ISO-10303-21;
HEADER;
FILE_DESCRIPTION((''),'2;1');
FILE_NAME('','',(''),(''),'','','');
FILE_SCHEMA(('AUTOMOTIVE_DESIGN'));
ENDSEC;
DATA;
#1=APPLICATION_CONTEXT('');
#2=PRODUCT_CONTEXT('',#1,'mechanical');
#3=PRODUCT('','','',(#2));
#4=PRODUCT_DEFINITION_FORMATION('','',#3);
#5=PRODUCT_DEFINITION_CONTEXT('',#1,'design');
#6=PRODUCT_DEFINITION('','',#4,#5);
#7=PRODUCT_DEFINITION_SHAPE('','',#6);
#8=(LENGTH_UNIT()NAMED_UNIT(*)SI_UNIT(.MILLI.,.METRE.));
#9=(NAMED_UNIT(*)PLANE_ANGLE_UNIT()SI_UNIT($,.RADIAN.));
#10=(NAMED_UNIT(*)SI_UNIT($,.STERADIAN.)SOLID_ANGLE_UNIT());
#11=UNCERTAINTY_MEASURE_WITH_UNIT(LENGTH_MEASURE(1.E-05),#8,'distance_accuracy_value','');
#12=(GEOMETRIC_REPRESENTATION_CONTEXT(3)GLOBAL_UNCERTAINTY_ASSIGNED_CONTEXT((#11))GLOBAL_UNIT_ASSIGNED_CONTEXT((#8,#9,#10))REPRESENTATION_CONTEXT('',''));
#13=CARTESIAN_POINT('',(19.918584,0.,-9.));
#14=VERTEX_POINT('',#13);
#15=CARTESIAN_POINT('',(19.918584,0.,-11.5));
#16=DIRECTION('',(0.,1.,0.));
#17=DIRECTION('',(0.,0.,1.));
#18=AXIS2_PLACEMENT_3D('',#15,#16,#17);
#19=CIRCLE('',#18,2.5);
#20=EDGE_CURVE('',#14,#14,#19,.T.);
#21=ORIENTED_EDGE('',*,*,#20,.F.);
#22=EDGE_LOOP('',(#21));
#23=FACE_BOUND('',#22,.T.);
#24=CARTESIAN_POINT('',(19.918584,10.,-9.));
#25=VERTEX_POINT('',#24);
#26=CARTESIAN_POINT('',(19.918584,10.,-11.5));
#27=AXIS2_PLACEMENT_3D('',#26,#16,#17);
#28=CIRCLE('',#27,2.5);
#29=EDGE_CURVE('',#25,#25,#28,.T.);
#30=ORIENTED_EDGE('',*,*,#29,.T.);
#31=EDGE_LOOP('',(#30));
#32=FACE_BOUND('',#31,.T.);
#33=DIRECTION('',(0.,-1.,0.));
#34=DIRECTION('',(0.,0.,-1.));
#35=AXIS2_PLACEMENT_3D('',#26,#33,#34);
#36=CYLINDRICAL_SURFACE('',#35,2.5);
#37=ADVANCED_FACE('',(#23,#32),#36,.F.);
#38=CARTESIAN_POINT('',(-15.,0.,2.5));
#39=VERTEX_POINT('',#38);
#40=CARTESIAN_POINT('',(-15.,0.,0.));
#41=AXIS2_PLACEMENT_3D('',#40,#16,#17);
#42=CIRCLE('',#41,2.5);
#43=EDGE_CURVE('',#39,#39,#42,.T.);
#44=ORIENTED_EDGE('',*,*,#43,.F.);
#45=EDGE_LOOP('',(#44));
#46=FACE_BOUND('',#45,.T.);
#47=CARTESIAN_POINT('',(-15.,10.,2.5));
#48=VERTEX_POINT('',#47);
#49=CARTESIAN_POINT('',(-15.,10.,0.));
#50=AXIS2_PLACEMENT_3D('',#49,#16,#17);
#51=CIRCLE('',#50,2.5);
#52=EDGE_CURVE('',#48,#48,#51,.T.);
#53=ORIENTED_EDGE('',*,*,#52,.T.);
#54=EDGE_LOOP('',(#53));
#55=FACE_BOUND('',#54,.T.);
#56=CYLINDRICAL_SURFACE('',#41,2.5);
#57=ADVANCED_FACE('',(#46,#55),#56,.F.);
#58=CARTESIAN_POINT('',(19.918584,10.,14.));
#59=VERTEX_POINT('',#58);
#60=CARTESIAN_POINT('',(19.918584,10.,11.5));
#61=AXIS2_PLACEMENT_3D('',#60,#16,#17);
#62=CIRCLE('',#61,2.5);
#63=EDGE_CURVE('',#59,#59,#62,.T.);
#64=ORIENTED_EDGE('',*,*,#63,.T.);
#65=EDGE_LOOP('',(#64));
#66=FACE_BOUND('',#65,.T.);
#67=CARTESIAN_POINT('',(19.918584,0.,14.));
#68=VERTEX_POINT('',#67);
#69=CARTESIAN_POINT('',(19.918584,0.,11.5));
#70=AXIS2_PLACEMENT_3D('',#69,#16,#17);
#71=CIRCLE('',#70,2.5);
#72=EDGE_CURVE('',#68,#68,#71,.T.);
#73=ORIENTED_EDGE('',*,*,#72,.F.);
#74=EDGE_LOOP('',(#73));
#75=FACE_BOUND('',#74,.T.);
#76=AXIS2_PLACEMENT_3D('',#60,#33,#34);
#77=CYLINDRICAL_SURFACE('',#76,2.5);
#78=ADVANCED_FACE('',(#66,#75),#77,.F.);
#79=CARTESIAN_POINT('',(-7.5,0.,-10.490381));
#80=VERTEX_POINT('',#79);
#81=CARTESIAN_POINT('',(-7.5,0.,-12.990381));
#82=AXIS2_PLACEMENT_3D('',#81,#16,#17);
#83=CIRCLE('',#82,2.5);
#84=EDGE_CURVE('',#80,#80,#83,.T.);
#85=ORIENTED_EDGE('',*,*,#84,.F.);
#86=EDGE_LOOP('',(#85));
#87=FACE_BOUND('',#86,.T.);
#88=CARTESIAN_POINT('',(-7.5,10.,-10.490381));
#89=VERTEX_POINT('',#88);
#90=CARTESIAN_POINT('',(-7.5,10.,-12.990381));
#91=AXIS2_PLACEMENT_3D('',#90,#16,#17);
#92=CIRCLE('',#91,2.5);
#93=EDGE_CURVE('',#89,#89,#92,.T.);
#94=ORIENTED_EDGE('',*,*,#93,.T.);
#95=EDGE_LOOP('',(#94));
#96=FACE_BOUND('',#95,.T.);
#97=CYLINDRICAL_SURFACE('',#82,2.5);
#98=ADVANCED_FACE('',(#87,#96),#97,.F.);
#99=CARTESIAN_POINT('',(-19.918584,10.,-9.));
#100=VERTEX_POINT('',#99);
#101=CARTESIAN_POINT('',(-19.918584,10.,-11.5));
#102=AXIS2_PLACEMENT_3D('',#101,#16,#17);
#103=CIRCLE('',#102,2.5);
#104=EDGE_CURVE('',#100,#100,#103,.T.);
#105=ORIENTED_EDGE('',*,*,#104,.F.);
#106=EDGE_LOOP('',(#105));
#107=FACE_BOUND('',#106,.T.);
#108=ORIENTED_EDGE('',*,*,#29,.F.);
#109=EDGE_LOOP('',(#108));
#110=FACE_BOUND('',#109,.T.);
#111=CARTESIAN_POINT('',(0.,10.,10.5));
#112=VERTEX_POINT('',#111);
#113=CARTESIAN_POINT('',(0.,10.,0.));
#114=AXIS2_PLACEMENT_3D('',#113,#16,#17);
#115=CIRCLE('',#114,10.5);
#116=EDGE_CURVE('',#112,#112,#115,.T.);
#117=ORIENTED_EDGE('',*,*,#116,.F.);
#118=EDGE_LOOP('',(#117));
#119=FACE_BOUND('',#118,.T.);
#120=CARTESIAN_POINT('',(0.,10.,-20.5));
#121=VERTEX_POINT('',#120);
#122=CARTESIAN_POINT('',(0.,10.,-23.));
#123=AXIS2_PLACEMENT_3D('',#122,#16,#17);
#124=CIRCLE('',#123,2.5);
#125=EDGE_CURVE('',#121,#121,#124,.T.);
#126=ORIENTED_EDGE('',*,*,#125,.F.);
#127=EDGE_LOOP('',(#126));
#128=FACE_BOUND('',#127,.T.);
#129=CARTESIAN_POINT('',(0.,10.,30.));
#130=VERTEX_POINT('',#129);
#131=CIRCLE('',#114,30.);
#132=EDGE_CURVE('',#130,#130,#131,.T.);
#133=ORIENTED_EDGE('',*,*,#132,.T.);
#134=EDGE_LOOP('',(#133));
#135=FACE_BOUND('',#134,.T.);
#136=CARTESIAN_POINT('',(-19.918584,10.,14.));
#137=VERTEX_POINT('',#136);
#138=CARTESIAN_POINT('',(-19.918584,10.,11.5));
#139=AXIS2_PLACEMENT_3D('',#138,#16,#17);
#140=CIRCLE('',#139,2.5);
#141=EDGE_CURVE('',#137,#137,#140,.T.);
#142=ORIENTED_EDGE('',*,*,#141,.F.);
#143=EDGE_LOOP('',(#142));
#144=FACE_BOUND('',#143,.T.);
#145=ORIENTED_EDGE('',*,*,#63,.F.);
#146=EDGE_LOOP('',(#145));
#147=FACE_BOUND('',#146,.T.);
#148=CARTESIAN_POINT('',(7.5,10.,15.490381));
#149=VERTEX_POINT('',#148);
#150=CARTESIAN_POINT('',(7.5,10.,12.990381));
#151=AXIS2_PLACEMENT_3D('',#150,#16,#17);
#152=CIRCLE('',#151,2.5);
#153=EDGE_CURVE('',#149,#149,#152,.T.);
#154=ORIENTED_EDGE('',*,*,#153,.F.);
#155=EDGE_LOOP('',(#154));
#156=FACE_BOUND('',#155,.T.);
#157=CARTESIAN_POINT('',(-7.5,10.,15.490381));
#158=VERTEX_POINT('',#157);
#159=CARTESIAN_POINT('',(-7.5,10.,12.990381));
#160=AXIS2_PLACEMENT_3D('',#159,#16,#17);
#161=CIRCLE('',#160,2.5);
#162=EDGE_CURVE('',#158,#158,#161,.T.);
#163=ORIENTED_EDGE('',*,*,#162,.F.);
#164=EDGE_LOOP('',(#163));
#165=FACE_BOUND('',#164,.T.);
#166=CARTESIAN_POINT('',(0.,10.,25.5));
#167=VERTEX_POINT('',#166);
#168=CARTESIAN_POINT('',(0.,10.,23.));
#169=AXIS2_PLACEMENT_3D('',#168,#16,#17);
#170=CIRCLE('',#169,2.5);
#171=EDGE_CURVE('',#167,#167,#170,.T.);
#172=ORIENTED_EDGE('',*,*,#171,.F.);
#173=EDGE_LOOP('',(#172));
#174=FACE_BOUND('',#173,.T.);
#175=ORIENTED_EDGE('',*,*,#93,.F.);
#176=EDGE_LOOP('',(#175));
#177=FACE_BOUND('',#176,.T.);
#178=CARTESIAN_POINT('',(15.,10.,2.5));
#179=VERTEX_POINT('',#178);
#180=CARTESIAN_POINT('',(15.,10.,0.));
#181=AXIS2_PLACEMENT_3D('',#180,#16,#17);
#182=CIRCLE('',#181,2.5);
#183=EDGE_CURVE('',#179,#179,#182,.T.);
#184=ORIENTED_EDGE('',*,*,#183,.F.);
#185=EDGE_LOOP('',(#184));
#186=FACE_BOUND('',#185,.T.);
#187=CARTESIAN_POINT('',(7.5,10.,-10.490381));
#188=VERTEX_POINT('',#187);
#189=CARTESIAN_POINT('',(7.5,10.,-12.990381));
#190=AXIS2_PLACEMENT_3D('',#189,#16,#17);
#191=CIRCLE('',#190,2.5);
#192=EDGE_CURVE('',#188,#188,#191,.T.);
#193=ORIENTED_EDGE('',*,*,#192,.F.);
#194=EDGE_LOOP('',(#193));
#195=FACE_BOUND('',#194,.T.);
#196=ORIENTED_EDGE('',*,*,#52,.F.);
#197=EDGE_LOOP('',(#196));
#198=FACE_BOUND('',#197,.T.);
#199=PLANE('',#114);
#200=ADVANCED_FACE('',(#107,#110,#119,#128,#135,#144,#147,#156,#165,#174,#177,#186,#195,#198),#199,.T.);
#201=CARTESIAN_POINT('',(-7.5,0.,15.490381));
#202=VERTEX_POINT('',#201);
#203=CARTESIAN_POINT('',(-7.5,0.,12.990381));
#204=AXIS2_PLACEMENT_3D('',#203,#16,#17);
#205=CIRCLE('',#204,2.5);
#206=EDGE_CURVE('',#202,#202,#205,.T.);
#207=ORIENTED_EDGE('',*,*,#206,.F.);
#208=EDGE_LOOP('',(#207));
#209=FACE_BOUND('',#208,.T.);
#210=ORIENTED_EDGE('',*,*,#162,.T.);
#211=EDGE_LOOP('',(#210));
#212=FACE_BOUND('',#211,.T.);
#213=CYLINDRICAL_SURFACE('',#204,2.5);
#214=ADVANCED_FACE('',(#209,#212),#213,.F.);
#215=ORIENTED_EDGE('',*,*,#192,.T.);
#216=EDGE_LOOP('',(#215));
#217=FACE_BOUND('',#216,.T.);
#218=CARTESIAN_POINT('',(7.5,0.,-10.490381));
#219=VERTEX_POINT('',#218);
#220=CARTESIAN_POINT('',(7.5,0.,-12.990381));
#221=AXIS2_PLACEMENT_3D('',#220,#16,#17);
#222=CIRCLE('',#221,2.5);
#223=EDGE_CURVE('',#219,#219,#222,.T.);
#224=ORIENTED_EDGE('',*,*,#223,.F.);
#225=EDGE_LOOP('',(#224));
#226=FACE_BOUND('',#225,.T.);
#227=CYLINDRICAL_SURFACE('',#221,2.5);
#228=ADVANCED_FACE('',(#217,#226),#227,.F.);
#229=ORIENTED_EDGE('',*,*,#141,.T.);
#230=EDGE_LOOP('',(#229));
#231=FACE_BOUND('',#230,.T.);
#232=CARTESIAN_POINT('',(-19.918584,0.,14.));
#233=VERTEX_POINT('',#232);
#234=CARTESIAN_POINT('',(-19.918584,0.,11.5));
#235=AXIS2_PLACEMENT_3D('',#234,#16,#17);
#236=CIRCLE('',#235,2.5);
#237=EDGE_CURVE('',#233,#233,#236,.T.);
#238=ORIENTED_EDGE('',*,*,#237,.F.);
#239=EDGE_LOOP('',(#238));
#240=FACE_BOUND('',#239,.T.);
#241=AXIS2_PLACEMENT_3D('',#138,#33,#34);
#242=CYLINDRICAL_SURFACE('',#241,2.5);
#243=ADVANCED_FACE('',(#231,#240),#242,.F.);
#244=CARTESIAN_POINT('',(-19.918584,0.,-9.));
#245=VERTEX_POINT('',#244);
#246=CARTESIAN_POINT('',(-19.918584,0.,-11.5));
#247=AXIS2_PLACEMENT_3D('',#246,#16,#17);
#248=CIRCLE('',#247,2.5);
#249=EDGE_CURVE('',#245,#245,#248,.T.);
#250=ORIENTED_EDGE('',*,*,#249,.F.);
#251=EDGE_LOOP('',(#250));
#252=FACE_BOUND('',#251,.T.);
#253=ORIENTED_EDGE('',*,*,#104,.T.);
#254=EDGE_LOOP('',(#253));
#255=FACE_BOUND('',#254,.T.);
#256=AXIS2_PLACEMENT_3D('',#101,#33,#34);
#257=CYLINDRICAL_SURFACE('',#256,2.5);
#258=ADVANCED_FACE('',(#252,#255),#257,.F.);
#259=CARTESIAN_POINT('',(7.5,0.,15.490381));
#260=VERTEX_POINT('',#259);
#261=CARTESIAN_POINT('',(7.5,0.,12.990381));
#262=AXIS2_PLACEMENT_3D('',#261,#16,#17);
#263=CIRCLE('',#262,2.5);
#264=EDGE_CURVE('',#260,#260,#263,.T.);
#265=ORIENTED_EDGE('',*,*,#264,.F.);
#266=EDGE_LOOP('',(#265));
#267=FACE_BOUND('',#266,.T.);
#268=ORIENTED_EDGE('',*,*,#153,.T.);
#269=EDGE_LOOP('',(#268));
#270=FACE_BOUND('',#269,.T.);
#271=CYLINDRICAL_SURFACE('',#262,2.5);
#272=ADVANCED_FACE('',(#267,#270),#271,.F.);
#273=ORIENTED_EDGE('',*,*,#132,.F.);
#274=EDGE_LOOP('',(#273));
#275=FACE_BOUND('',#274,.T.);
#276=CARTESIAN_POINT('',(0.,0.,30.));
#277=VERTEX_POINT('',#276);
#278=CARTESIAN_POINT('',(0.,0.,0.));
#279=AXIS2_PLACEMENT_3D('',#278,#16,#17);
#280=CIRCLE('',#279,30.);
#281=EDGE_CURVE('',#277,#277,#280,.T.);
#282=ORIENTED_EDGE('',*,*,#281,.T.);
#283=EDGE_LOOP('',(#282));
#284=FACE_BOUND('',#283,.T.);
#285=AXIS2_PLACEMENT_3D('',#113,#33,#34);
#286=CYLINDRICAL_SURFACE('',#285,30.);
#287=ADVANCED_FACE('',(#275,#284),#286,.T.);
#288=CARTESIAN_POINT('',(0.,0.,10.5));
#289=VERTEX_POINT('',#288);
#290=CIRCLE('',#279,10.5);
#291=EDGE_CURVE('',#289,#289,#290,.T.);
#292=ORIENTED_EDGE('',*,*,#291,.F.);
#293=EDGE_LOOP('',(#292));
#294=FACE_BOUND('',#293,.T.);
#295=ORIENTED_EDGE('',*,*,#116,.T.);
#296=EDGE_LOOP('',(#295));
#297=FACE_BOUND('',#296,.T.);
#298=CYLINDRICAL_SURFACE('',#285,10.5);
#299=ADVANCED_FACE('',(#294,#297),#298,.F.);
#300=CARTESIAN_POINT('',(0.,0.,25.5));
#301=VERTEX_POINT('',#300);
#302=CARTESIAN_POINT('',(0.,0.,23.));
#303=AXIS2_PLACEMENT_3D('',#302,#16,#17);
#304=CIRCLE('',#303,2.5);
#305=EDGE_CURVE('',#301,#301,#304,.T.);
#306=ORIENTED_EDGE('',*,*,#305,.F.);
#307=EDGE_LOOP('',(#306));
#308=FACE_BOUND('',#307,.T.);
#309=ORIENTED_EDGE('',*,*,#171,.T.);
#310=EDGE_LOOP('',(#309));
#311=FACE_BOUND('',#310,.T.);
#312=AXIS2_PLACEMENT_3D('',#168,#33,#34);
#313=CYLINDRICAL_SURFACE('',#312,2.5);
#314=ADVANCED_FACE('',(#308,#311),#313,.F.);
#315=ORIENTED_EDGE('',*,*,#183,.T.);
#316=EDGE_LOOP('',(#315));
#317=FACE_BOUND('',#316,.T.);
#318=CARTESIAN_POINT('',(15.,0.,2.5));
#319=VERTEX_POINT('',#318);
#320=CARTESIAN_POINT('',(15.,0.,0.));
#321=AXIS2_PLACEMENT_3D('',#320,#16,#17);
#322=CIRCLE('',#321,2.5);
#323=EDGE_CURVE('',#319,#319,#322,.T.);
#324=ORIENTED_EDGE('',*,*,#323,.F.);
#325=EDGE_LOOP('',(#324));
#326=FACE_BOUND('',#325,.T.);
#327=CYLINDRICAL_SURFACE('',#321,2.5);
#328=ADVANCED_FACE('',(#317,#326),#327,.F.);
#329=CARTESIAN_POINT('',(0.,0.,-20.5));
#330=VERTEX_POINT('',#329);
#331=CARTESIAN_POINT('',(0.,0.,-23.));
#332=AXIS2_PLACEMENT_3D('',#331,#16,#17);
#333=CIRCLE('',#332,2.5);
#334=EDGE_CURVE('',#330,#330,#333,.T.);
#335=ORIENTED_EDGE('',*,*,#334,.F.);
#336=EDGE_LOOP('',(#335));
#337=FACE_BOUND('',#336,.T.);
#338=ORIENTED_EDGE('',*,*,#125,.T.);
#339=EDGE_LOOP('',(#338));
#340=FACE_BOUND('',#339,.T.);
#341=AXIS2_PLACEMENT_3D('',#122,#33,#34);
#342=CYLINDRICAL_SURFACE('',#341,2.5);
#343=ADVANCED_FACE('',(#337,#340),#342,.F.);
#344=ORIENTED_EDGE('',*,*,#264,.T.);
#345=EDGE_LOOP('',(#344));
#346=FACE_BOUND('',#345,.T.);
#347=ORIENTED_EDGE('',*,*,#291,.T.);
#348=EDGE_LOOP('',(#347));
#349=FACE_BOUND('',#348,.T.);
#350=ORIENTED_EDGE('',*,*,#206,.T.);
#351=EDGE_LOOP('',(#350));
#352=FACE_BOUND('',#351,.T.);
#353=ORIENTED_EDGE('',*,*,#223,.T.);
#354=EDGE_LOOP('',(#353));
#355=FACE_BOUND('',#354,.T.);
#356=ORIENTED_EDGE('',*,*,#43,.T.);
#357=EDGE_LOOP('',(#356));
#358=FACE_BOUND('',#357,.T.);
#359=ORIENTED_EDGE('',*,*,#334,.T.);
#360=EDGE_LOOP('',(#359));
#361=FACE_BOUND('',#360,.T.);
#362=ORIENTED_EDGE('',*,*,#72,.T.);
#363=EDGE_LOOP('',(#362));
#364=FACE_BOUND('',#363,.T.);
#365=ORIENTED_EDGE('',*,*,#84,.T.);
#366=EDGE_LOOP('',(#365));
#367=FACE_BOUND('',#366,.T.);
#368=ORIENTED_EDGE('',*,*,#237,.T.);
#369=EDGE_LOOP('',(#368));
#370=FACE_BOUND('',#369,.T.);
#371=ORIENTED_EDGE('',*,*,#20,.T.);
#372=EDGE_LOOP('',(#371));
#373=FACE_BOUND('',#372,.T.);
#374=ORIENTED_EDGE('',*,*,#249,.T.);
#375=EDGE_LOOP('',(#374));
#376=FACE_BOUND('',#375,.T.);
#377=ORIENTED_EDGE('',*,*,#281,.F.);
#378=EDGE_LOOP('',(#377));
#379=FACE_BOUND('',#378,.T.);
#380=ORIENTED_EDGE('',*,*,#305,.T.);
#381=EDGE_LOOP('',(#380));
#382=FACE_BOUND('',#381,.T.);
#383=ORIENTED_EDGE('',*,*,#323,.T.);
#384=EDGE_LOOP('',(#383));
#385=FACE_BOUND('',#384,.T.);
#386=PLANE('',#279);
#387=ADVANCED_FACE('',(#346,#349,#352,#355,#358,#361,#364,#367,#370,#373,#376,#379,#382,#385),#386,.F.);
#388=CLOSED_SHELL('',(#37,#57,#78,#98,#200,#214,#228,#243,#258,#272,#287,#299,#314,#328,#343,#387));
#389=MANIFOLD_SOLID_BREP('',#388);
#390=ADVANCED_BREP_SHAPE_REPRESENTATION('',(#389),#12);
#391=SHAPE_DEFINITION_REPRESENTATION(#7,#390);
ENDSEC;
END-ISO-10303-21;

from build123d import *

# Parameters (mm, degrees)
SKETCH1_R           = 30
SKETCH1_R_2         = 2.5
SKETCH1_R_3         = 10.5
BOSS_EXTRUDE1_DEPTH = 10
SKETCH2_R           = 2.5
CUT_EXTRUDE1_DEPTH  = 10


with BuildPart() as part:
    # Sketch1 → Boss-Extrude1 (new body)
    with BuildSketch(Plane(origin=(0, 0, 0), x_dir=(1, 0, 0), z_dir=(0, 1, 0))):
        with Locations(Location((0, 0, 0), (0, 0, 270))):
            Circle(SKETCH1_R)
        with Locations(Location((0, 23, 0), (0, 0, 270))):
            Circle(SKETCH1_R_2, mode=Mode.SUBTRACT)
        with Locations(Location((19.918584287, 11.5, 0), (0, 0, 270))):
            Circle(SKETCH1_R_2, mode=Mode.SUBTRACT)
        with Locations(Location((19.918584287, -11.5, 0), (0, 0, 270))):
            Circle(SKETCH1_R_2, mode=Mode.SUBTRACT)
        with Locations(Location((0, -23, 0), (0, 0, 270))):
            Circle(SKETCH1_R_2, mode=Mode.SUBTRACT)
        with Locations(Location((-19.918584287, -11.5, 0), (0, 0, 270))):
            Circle(SKETCH1_R_2, mode=Mode.SUBTRACT)
        with Locations(Location((-19.918584287, 11.5, 0), (0, 0, 270))):
            Circle(SKETCH1_R_2, mode=Mode.SUBTRACT)
        with Locations(Location((0, 0, 0), (0, 0, 270))):
            Circle(SKETCH1_R_3, mode=Mode.SUBTRACT)
    extrude(amount=BOSS_EXTRUDE1_DEPTH)

    # Sketch2 → Cut-Extrude1 (cut)
    with BuildSketch(Plane(origin=(0, 10, 0), x_dir=(1, 0, 0), z_dir=(0, 1, 0))):
        with Locations(Location((-7.5, 12.990381057, 0), (0, 0, 270))):
            Circle(SKETCH2_R)
        with Locations(Location((7.5, 12.990381057, 0), (0, 0, 270))):
            Circle(SKETCH2_R)
        with Locations(Location((15, 0, 0), (0, 0, 270))):
            Circle(SKETCH2_R)
        with Locations(Location((7.5, -12.990381057, 0), (0, 0, 270))):
            Circle(SKETCH2_R)
        with Locations(Location((-7.5, -12.990381057, 0), (0, 0, 270))):
            Circle(SKETCH2_R)
        with Locations(Location((-15, 0, 0), (0, 0, 270))):
            Circle(SKETCH2_R)
    extrude(amount=-CUT_EXTRUDE1_DEPTH, mode=Mode.SUBTRACT)


solid = part.part
